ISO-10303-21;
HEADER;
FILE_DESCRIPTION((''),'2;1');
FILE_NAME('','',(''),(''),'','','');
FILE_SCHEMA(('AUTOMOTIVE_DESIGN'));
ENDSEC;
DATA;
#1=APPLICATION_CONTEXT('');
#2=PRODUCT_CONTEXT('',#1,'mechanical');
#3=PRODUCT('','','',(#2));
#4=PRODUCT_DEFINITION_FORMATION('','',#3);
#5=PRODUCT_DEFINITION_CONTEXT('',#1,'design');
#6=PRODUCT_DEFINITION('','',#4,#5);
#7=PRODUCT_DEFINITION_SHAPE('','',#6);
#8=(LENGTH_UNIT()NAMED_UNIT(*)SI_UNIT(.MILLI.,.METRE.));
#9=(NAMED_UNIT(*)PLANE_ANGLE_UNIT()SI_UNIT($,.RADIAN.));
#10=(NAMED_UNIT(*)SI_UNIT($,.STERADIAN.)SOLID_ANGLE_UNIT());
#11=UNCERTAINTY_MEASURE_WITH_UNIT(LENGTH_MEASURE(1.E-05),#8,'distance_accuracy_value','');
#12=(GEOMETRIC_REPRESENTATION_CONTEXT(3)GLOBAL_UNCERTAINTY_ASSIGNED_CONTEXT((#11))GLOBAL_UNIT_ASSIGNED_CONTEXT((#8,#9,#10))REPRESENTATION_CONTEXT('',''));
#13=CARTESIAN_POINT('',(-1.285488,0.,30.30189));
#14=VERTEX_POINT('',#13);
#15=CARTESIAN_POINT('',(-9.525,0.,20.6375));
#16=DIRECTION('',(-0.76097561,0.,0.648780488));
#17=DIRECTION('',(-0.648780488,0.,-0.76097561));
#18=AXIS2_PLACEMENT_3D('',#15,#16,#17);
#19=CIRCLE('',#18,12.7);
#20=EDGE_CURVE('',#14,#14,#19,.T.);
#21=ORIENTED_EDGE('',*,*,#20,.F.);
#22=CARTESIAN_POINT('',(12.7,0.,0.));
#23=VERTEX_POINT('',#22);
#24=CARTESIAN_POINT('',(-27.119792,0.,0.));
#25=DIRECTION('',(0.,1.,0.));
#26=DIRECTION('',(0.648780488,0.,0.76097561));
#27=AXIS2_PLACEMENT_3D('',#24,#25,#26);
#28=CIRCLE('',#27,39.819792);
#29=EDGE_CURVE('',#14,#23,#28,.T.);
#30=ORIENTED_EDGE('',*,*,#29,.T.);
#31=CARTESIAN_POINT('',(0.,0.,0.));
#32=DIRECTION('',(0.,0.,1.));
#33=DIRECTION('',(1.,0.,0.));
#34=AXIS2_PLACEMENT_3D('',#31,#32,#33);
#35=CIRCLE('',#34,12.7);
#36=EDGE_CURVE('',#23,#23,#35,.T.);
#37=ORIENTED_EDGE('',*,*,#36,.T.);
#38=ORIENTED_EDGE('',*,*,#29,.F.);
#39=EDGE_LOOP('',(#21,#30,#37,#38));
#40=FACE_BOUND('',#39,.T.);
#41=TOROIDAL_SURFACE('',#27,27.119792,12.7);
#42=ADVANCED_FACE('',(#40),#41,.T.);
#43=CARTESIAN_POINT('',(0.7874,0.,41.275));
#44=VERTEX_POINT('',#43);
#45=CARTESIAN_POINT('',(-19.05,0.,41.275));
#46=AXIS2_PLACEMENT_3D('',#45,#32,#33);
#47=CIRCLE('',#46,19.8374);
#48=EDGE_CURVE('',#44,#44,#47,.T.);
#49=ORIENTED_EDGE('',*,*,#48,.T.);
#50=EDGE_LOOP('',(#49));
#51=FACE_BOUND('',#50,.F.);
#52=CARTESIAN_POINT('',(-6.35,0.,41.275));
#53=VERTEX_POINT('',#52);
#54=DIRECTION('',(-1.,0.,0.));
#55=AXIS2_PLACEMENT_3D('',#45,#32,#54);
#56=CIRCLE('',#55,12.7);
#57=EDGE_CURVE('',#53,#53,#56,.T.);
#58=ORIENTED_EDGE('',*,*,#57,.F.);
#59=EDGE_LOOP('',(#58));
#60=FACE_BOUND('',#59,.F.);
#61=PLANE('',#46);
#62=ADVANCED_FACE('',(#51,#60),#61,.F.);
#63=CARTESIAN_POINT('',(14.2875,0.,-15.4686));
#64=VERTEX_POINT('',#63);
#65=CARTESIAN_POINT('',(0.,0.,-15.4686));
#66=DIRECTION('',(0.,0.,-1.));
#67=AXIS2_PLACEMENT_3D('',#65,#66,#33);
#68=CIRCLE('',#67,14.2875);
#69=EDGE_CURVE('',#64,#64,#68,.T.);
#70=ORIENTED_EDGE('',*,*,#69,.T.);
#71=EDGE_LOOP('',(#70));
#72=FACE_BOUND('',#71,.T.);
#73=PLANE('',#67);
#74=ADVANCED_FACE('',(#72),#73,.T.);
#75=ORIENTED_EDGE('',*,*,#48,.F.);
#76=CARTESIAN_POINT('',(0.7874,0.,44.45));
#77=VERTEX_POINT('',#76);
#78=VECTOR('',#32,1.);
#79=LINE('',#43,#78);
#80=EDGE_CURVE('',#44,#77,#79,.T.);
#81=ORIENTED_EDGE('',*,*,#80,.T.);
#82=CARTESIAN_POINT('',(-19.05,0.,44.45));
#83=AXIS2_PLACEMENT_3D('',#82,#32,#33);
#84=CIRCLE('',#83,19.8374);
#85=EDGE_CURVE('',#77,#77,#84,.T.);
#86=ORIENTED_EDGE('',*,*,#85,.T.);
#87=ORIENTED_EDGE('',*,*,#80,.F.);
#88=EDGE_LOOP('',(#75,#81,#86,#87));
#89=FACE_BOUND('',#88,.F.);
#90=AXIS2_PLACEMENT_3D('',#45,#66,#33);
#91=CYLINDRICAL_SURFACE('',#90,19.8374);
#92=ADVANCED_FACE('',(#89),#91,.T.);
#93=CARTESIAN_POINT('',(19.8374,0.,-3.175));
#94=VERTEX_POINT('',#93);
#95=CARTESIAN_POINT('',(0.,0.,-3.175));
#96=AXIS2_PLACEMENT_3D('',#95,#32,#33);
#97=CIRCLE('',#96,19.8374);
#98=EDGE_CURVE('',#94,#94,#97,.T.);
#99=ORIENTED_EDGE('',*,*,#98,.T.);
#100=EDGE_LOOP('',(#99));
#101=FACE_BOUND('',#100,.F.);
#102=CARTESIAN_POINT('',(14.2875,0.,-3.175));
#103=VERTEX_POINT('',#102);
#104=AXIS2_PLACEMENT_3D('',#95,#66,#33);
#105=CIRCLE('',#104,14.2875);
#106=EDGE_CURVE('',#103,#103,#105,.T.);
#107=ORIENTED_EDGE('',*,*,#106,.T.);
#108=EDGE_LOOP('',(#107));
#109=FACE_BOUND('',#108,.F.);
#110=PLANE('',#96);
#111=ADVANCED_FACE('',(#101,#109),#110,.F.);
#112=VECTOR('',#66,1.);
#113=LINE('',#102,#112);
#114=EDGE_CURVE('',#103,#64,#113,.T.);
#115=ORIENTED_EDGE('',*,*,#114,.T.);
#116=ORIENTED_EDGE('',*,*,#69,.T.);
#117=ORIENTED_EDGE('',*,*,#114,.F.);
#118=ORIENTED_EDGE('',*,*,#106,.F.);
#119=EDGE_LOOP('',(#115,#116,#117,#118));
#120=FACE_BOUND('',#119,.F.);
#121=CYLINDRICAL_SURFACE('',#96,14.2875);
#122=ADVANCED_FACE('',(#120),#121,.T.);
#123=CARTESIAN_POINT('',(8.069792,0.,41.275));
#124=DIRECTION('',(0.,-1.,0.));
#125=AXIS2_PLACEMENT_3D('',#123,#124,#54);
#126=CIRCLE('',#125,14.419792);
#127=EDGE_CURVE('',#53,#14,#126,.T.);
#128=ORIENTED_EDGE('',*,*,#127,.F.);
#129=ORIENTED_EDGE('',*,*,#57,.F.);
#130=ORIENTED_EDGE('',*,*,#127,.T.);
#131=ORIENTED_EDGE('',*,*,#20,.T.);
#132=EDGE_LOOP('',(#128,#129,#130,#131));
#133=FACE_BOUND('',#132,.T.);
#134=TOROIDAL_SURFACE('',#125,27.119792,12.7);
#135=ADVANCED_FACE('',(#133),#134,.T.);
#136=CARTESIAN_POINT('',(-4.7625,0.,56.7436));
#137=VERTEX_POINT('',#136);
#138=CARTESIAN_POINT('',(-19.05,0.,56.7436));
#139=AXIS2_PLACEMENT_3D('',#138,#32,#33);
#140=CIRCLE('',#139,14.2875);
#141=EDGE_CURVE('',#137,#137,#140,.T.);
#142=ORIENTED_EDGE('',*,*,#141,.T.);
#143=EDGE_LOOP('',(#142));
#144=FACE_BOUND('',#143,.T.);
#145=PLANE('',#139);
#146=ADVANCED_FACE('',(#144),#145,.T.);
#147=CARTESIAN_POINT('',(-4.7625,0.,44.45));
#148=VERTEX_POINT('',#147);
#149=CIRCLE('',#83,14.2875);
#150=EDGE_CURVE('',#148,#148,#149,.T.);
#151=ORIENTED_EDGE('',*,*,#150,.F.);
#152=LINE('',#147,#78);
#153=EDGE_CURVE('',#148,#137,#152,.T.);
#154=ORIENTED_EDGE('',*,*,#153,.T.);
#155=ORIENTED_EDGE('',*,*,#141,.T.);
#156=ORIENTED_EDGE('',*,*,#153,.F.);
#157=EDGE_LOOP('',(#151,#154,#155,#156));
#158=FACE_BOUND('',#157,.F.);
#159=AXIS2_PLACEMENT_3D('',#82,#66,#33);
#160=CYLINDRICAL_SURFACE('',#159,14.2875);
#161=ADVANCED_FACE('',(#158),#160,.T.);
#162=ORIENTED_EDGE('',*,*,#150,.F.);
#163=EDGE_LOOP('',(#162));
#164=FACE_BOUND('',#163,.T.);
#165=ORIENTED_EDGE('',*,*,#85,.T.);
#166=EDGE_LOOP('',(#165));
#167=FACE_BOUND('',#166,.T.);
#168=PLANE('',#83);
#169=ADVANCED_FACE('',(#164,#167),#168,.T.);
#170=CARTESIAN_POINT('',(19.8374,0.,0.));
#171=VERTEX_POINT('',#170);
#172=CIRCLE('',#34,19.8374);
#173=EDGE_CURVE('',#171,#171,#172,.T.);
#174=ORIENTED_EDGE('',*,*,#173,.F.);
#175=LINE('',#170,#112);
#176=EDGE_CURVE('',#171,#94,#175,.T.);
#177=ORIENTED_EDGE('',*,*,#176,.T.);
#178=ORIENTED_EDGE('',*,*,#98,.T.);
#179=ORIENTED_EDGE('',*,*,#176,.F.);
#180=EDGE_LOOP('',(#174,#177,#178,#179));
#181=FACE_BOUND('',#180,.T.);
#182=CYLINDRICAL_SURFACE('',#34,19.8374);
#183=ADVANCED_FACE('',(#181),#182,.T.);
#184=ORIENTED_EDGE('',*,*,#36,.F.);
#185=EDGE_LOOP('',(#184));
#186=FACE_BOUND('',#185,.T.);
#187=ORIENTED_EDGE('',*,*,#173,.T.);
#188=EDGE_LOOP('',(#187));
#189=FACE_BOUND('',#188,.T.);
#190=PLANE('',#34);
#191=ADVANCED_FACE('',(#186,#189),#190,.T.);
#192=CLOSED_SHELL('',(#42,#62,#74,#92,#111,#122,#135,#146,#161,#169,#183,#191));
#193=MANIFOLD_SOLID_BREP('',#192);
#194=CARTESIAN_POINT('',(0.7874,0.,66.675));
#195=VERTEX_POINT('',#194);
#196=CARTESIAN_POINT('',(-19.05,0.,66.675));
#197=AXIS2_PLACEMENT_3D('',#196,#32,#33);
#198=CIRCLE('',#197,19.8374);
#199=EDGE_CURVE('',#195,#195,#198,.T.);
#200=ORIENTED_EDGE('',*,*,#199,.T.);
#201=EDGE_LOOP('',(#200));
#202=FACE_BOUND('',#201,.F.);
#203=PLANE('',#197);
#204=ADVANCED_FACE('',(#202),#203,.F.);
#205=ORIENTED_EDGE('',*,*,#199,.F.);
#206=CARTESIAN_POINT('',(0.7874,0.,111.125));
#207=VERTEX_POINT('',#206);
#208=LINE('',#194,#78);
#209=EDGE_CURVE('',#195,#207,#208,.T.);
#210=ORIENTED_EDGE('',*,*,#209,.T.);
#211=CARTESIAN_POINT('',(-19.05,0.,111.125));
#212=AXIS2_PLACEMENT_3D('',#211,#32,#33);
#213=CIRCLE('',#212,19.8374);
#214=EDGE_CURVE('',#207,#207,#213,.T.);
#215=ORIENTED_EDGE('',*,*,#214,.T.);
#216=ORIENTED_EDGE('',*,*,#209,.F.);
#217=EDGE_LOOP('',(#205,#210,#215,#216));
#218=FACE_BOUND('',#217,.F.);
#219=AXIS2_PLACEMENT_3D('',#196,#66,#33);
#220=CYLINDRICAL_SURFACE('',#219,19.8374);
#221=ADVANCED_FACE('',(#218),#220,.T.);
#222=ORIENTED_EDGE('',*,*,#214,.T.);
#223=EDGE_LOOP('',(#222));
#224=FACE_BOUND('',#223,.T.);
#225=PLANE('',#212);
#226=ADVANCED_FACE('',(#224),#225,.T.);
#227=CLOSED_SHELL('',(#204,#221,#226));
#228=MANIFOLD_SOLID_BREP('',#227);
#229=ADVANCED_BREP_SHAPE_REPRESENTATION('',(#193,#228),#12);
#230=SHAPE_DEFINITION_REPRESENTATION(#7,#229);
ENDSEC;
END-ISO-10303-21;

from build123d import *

# Parameters (mm, degrees)
F2_R      = 12.7
F2_R_2    = 19.8374
F5_DEPTH  = 3.175
F0_R      = 19.8374
F0_R_2    = 12.7
F6_DEPTH  = 3.175
F7_R      = 14.2875
F8_DEPTH  = 12.2936
F9_R      = 14.2875
F10_DEPTH = 12.2936
F12_R     = 19.8374
F13_DEPTH = 44.45


with BuildPart() as f4:
    # F4: sweep along a path in F3
    with BuildLine(Plane.XZ) as f4_path:
        ThreePointArc((-19.05, 41.275), (-16.5538776828, 29.910229531), (-9.525, 20.6375))
        ThreePointArc((-9.525, 20.6375), (-2.4961223172, 11.364770469), (0, 0))
    # F2 (on offset) → F4 (sweep)
    with BuildSketch(Plane.XY.offset(41.275)):
        with Locations((-19.05, 0)):
            Circle(F2_R)
    sweep(path=f4_path.line)

    # F2 (on offset) → F5 (join)
    with BuildSketch(Plane.XY.offset(41.275)):
        with Locations((-19.05, 0)):
            Circle(F2_R_2)
        with Locations((-19.05, 0)):
            Circle(F2_R, mode=Mode.SUBTRACT)
        with Locations((-19.05, 0)):
            Circle(F2_R)
    extrude(amount=F5_DEPTH)

    # F0 (on Top) → F6 (join)
    with BuildSketch(Plane.XY):
        Circle(F0_R)
        Circle(F0_R_2, mode=Mode.SUBTRACT)
        Circle(F0_R_2)
    extrude(amount=-F6_DEPTH)

    # F7 (on face) → F8 (join)
    with BuildSketch(Plane.XY.offset(44.45)):
        with Locations((-19.05, 0)):
            Circle(F7_R)
    extrude(amount=F8_DEPTH)

    # F9 (on face) → F10 (join)
    with BuildSketch(Plane(origin=(0, 0, -3.175), x_dir=(1, 0, 0), z_dir=(0, 0, -1))):
        Circle(F9_R)
    extrude(amount=F10_DEPTH)


with BuildPart() as f13:
    # F12 (on offset) → F13 (new body)
    with BuildSketch(Plane.XY.offset(66.675)):
        with Locations((-19.05, 0)):
            Circle(F12_R)
    extrude(amount=F13_DEPTH)


solid = Compound([f4.part, f13.part])
